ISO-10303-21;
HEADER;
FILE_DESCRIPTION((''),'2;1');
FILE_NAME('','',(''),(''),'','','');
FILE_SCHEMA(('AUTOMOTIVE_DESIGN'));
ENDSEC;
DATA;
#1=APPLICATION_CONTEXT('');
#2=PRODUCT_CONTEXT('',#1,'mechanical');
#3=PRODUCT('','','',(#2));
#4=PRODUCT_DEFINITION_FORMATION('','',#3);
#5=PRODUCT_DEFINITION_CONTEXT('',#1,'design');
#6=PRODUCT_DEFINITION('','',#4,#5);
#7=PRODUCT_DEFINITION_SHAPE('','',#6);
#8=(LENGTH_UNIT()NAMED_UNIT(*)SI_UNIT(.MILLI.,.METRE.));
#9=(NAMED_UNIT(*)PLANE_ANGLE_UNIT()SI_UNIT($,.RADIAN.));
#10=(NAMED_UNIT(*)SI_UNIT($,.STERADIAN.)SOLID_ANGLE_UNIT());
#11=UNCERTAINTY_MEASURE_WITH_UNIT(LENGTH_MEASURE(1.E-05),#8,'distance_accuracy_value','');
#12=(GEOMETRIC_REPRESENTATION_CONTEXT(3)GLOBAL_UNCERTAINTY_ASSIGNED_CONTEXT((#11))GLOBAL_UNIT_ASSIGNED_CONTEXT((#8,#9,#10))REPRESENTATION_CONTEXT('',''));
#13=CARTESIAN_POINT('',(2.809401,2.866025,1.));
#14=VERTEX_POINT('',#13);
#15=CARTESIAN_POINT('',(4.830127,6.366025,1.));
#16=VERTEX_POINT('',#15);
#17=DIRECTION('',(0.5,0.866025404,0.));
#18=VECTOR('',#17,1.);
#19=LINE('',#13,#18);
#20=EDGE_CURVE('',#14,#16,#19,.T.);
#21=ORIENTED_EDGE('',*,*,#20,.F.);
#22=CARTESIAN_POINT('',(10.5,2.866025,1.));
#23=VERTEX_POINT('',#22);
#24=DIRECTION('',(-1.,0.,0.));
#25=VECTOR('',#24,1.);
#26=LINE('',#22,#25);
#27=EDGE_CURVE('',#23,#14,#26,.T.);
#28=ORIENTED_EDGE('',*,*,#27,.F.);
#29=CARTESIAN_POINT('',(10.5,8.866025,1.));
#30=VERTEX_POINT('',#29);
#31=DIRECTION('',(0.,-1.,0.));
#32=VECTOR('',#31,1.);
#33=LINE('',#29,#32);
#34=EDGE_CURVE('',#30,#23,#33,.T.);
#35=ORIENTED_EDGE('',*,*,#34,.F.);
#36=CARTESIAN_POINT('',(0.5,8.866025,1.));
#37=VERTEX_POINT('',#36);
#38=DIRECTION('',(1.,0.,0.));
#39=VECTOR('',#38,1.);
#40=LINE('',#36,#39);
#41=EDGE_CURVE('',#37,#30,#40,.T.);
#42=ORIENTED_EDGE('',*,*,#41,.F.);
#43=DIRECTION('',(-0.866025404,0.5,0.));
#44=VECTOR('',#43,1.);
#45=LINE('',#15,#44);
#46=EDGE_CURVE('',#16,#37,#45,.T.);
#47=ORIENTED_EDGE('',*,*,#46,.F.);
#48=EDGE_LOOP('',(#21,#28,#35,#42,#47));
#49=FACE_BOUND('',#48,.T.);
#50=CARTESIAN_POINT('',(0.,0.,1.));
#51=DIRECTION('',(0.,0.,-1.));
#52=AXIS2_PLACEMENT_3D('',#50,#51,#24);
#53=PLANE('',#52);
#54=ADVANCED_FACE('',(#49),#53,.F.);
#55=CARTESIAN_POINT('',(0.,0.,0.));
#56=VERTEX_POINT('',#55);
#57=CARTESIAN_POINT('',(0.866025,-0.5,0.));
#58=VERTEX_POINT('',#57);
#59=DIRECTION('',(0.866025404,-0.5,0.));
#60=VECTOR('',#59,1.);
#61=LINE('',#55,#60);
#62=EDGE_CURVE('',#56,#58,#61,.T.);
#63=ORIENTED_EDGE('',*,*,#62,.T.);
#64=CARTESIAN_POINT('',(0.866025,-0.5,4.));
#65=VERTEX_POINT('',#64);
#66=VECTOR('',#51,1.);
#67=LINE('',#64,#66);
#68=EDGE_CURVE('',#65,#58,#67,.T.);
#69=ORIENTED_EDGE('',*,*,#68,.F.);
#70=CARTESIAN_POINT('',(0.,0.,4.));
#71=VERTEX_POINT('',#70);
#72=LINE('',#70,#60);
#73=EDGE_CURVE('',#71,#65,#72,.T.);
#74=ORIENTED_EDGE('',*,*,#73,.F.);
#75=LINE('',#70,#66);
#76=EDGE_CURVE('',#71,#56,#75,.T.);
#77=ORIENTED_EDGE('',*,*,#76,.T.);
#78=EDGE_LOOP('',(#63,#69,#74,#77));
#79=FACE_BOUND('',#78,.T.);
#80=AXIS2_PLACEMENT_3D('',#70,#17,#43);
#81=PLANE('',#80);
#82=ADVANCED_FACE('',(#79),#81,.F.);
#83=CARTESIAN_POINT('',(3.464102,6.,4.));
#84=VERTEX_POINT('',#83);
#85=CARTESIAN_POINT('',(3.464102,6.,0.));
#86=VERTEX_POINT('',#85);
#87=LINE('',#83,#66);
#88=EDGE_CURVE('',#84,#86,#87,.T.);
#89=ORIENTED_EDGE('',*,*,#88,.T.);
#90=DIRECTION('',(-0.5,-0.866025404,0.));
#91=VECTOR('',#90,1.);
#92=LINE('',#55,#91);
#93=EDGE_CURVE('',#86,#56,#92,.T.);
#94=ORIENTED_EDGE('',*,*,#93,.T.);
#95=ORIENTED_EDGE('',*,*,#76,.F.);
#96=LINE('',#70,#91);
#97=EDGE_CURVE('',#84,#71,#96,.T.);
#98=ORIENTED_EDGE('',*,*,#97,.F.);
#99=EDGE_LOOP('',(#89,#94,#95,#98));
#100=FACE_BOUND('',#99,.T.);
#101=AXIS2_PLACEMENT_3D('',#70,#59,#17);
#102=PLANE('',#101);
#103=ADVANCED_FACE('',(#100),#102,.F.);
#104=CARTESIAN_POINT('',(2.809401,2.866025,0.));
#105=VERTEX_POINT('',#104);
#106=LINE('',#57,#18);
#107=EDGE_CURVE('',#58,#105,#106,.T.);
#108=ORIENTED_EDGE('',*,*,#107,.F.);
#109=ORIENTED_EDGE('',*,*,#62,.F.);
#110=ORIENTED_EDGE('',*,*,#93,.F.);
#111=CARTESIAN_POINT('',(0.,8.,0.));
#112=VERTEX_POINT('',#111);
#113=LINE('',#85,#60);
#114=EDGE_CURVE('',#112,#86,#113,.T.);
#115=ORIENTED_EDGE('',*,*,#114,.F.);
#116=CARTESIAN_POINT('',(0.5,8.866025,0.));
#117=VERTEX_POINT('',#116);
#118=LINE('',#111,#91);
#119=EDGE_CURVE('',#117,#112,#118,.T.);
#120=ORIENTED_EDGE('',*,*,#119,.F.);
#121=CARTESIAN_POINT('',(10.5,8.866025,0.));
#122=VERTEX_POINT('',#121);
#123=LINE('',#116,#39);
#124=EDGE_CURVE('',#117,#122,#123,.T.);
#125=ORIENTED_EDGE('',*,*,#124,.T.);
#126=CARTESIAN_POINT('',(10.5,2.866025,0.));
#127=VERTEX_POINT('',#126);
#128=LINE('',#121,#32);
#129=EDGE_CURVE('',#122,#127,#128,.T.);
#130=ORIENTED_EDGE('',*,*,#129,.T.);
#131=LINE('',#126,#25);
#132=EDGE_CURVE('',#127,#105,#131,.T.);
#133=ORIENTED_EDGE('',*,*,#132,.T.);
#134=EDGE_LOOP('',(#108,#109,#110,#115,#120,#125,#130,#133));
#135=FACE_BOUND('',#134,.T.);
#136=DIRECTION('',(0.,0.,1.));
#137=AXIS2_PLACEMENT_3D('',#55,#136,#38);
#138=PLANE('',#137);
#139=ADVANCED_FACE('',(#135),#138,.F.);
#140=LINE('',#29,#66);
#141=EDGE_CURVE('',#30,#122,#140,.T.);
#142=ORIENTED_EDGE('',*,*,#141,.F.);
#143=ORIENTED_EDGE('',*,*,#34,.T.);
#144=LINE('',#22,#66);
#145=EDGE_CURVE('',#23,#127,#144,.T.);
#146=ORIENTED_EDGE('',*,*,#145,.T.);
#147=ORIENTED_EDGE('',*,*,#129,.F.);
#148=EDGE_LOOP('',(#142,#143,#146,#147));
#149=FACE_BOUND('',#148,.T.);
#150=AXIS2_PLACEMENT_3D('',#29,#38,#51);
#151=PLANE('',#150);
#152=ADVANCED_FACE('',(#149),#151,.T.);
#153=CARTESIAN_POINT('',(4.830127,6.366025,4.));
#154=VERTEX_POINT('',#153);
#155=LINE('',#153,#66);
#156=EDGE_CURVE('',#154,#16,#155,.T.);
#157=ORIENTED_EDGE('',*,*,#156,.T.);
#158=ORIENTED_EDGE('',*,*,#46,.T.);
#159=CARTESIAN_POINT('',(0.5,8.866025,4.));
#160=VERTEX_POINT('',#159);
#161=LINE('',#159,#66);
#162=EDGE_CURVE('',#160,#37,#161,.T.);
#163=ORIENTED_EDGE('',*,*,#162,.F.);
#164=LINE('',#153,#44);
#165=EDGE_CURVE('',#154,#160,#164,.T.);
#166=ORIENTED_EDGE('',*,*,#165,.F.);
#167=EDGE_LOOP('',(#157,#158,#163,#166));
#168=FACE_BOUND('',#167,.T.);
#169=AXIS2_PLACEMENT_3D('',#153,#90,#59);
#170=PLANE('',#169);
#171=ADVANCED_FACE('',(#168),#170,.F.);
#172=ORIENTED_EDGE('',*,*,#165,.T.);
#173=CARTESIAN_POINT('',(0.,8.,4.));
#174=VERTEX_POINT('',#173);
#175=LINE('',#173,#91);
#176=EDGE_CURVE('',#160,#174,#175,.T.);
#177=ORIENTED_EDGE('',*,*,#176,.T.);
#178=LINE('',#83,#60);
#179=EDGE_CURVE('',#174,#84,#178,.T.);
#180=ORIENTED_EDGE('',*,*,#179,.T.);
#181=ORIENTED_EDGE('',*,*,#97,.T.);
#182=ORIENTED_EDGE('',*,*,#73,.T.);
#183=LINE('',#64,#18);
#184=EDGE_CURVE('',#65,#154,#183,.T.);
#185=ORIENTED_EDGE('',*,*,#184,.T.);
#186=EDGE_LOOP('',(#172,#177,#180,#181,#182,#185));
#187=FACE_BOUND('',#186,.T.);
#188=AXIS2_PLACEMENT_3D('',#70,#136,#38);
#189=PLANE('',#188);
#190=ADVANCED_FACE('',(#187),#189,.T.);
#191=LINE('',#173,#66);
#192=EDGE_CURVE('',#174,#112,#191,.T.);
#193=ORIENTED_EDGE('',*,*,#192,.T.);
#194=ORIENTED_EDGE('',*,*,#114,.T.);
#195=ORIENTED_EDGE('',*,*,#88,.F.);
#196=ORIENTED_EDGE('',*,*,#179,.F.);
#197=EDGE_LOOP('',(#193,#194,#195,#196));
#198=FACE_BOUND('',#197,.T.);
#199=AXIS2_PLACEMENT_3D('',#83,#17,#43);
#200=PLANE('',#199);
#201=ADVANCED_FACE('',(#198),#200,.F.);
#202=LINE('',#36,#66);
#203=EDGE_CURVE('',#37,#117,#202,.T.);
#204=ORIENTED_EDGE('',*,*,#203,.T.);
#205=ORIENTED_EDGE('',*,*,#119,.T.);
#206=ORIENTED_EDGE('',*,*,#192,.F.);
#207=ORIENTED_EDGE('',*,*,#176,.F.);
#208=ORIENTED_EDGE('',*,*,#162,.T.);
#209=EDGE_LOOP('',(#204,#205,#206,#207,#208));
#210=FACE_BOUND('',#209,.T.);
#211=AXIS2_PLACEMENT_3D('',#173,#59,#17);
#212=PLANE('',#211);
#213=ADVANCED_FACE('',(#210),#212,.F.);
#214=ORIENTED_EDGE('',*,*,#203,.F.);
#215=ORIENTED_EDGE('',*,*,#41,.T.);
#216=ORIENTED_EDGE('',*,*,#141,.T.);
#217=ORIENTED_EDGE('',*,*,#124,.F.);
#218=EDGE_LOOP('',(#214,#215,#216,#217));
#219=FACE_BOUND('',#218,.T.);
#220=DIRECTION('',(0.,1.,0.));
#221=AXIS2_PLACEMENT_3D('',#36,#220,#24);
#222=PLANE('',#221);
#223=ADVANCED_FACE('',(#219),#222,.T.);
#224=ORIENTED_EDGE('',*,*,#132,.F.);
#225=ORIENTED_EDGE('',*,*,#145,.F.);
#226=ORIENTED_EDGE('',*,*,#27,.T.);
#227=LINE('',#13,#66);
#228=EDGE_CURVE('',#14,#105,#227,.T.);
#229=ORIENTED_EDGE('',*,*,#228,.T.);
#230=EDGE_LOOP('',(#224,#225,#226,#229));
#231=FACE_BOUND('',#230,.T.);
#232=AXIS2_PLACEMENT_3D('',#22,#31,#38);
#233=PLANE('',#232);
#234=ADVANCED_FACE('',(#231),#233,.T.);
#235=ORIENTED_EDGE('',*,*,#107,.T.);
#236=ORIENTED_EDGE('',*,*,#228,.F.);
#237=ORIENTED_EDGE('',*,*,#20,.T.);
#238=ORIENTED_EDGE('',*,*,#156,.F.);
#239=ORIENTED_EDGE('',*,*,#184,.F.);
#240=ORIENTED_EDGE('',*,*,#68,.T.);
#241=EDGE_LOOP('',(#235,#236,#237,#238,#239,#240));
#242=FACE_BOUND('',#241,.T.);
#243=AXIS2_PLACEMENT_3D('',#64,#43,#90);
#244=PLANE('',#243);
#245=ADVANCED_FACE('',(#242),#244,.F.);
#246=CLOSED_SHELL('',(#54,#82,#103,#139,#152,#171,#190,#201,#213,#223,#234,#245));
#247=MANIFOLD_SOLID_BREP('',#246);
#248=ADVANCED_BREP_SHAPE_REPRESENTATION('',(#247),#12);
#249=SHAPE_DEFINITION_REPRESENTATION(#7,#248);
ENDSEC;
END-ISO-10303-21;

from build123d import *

# Parameters (mm, degrees)
BOSS_EXTRUDE1_DEPTH = 4
BOSS_EXTRUDE2_DEPTH = 1


with BuildPart() as part:
    # Sketch1 → Boss-Extrude1 (new body)
    with BuildSketch(Plane.XY):
        Polygon((0, 0), (3.464101615, 6), (0, 8), (0.5, 8.866025404), (4.830127019, 6.366025404), (0.866025404, -0.5), align=None)
    extrude(amount=BOSS_EXTRUDE1_DEPTH)

    # Sketch2 → Boss-Extrude2 (add)
    with BuildSketch(Plane(origin=(0, 0, 0), x_dir=(-1, 0, 0), z_dir=(0, 0, -1))):
        Polygon((-0.5, 8.866025404), (-10.5, 8.866025404), (-10.5, 2.866025404), (-2.809401077, 2.866025404), (-4.830127019, 6.366025404), align=None)
    extrude(amount=-BOSS_EXTRUDE2_DEPTH)


solid = part.part
